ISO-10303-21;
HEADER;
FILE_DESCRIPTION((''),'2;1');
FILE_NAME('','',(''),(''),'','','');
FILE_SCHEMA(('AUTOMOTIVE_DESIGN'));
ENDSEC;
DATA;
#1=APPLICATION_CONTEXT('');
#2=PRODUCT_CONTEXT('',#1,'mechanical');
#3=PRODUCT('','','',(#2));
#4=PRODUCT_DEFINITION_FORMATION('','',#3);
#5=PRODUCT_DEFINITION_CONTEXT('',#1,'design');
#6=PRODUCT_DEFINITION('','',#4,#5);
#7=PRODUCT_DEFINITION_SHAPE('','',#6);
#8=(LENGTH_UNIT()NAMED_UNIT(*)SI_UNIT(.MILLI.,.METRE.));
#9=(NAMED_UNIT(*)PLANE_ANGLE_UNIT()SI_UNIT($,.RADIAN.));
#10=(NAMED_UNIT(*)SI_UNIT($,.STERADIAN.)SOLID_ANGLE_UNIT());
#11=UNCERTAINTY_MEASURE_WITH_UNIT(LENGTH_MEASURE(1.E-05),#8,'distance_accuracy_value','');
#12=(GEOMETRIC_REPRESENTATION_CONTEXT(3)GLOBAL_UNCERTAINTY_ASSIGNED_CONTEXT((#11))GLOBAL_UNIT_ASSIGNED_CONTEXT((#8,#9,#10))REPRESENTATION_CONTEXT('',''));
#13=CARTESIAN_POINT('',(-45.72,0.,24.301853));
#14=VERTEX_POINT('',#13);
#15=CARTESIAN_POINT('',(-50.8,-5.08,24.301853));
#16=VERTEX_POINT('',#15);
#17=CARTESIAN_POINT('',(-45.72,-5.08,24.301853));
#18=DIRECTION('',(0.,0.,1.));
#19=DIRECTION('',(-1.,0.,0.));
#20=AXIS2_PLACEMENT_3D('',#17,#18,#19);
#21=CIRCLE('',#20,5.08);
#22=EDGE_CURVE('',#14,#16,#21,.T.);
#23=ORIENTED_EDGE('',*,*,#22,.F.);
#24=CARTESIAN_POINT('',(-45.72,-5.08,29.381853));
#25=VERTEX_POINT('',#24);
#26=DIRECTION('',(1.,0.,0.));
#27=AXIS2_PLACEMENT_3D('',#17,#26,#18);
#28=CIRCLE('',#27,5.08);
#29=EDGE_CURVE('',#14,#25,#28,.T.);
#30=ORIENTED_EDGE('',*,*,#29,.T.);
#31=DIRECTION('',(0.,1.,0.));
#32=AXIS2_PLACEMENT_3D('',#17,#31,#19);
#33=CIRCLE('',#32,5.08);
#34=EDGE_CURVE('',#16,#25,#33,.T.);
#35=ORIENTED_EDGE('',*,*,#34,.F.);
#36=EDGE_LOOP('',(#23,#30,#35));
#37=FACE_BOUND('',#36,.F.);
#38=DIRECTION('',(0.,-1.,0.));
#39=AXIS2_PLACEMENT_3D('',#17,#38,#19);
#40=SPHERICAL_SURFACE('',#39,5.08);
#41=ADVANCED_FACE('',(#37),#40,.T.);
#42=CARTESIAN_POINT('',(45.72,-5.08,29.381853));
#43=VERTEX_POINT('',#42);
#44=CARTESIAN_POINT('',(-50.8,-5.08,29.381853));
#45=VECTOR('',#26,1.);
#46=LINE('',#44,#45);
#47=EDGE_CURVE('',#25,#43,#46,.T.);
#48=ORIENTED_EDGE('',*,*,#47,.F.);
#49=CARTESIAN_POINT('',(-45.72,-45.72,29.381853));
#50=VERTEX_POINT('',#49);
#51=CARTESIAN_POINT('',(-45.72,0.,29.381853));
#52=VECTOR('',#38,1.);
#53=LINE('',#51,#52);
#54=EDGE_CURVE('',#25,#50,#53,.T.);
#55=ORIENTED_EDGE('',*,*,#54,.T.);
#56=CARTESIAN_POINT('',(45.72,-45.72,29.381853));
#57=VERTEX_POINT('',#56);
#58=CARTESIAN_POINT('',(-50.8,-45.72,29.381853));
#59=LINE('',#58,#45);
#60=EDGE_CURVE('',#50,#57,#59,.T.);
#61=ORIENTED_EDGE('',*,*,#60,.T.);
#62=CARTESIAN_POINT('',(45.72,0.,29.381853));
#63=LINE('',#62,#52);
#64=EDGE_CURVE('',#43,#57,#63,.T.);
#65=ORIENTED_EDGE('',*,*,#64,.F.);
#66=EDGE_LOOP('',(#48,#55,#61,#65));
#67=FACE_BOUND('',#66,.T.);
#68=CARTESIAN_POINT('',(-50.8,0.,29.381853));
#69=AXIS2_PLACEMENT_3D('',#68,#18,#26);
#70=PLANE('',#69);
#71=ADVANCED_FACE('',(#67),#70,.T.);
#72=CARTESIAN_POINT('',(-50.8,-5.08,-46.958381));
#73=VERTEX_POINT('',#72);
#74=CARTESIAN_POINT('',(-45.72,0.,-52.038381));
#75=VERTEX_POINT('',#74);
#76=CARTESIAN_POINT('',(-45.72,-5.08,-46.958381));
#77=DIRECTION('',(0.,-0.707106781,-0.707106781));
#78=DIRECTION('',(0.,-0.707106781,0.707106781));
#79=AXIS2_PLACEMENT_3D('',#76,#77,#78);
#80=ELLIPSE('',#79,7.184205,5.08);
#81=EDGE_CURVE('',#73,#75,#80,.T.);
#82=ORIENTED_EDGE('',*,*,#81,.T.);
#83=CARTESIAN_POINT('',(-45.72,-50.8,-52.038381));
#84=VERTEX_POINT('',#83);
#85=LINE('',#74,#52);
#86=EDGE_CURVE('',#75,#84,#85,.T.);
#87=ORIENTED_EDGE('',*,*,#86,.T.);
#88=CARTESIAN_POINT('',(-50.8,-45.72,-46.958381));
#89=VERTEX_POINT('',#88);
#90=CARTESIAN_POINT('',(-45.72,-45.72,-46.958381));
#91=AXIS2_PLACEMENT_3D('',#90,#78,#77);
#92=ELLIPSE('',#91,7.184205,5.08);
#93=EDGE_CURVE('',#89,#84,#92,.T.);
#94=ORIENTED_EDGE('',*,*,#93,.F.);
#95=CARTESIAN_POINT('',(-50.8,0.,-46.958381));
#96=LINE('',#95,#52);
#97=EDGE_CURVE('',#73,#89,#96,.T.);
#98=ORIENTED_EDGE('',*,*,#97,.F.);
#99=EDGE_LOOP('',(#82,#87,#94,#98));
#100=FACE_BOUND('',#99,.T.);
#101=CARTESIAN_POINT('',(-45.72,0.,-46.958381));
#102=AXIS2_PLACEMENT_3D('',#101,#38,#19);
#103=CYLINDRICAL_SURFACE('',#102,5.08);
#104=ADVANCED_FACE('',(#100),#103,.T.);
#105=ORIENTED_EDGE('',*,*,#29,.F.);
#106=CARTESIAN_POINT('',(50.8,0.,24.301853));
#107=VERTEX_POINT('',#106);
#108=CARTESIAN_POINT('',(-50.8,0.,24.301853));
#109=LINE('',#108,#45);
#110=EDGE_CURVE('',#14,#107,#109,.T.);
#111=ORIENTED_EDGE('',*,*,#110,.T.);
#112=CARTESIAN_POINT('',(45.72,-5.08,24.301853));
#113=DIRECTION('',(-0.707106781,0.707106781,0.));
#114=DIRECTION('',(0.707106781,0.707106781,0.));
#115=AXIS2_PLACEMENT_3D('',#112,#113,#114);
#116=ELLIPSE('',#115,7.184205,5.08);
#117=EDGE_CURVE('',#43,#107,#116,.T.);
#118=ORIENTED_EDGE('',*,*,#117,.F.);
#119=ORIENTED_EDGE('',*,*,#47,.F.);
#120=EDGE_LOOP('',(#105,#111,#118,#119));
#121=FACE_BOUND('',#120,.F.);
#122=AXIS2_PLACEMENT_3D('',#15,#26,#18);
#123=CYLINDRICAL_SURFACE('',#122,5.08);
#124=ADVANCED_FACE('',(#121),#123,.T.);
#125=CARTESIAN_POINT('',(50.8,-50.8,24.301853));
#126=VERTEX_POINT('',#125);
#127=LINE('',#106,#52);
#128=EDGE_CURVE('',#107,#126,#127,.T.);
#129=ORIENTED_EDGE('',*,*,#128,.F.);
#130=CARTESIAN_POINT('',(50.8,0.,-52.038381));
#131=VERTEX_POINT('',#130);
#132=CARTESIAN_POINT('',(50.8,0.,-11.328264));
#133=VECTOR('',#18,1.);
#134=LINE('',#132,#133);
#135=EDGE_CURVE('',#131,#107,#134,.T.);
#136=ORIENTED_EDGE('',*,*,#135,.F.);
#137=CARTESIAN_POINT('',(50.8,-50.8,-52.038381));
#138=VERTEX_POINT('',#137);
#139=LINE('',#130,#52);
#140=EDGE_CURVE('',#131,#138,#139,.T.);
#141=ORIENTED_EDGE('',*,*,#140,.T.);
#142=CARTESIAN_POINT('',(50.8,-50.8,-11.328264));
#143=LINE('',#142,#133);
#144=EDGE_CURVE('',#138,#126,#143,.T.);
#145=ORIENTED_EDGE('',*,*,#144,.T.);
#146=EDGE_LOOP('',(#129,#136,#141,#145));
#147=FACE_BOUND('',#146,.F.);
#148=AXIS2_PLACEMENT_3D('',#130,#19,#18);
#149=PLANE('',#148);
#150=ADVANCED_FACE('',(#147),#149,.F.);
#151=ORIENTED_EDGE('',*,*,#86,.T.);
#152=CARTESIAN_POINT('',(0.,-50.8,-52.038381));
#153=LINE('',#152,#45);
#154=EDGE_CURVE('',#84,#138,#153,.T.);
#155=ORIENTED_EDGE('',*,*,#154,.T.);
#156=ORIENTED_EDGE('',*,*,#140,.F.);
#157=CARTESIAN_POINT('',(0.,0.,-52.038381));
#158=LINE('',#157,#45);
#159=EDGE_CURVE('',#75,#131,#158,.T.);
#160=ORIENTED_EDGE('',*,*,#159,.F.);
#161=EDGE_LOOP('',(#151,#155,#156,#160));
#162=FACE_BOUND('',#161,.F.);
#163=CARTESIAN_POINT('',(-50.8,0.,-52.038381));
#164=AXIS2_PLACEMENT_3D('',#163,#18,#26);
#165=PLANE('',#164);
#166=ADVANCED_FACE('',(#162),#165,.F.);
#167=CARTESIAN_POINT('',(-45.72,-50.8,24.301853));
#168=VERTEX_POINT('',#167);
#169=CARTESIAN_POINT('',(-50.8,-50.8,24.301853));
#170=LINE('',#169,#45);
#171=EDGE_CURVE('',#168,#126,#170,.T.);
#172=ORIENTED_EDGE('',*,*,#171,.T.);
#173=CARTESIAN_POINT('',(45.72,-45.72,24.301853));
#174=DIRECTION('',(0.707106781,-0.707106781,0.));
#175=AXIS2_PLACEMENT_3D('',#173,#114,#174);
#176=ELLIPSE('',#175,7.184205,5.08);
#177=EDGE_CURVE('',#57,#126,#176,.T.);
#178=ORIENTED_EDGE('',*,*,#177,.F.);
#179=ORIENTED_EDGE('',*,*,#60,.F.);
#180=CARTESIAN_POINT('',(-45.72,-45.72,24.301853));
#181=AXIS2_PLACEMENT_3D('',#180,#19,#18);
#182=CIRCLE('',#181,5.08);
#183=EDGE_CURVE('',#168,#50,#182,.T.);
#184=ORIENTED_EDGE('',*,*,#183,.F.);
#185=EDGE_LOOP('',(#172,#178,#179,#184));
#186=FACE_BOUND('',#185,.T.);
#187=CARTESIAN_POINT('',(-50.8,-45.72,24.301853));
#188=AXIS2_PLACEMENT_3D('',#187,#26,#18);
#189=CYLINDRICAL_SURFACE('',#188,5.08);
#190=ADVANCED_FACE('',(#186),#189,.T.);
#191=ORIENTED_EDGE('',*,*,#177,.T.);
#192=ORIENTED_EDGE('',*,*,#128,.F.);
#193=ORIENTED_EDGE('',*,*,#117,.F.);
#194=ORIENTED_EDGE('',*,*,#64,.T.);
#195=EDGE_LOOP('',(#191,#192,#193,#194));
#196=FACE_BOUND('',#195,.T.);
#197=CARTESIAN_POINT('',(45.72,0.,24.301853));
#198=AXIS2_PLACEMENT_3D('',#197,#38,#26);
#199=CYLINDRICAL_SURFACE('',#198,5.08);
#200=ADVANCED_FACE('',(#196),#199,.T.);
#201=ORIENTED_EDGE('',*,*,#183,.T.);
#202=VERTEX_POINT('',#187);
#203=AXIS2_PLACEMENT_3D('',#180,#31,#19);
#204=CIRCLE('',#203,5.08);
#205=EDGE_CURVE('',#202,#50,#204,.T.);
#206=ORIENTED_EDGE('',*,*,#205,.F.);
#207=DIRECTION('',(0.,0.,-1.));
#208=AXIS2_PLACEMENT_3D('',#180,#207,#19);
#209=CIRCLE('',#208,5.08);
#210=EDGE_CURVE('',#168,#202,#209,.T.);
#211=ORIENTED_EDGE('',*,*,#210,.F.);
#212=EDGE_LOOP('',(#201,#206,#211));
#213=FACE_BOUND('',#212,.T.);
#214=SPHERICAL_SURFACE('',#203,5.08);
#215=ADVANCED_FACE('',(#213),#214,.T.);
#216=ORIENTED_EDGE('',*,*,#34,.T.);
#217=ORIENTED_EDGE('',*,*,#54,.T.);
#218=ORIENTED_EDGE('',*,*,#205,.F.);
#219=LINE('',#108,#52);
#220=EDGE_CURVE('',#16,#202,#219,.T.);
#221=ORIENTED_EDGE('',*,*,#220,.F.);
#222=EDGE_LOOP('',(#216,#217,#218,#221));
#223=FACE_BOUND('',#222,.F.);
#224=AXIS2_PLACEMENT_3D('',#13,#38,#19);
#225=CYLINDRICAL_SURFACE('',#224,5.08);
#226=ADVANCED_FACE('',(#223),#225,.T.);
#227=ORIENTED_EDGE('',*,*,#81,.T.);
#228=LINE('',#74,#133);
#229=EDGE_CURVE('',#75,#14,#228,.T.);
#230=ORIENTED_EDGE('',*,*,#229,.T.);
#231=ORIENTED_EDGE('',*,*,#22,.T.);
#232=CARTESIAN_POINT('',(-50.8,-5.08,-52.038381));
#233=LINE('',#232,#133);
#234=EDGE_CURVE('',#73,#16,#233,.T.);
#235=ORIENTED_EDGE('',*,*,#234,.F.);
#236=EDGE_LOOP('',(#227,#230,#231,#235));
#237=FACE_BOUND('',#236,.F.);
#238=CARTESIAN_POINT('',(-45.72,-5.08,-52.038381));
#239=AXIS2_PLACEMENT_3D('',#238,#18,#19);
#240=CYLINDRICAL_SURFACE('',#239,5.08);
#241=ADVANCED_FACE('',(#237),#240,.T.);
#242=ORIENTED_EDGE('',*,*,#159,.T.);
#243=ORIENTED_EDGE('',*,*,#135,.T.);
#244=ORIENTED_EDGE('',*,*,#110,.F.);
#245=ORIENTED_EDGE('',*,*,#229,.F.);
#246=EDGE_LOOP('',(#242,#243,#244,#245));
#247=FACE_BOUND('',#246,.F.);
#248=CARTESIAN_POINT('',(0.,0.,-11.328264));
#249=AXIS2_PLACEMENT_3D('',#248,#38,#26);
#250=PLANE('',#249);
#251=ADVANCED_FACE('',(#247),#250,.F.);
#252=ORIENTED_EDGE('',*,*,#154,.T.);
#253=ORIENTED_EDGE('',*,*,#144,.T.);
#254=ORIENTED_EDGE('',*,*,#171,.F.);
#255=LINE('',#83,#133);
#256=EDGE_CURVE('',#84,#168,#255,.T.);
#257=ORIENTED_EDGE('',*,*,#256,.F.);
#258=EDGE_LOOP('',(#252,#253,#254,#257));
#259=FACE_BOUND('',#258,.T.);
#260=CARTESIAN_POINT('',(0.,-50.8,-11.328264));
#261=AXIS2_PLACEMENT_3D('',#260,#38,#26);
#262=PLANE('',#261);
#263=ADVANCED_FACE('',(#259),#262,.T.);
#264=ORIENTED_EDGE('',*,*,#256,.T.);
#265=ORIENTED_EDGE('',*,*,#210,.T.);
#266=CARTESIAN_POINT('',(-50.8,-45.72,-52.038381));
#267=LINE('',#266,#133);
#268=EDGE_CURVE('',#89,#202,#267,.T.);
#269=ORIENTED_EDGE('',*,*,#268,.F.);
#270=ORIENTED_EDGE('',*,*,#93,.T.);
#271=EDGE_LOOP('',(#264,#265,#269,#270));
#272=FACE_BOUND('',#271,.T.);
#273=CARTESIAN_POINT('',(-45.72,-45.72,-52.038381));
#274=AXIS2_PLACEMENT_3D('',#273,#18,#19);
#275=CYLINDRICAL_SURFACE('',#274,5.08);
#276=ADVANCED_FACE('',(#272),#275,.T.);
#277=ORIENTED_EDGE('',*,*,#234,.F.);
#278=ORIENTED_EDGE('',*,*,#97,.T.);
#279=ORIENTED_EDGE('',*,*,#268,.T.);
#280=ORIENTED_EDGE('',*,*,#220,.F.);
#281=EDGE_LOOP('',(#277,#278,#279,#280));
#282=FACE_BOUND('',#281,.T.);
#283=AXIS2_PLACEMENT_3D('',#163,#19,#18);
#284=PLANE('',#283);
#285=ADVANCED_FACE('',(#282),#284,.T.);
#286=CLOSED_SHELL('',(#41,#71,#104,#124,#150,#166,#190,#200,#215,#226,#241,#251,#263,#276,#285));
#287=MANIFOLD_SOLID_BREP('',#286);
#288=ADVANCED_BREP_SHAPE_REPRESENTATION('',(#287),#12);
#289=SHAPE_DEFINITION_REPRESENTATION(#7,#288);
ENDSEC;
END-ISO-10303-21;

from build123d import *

# Parameters (mm, degrees)
F0_W     = 101.6
F0_H     = 81.420234
F1_DEPTH = 50.8
F2_R     = 5.08


with BuildPart() as f1:
    # F0 (on Front) → F1 (new body)
    with BuildSketch(Plane.XZ):
        with Locations((0, -11.328264)):
            Rectangle(F0_W, F0_H)
    extrude(amount=F1_DEPTH)

    # F2
    f2_edges = [f1.edges().sort_by_distance(p)[0] for p in [
        (-50.8, -25.4, 29.381853),
        (-50.8, -25.4, -52.038381),
        (-50.8, 0, -11.328264),
        (-50.8, -50.8, -11.328264),
        (0, 0, 29.381853),
        (0, -50.8, 29.381853),
        (50.8, -25.4, 29.381853),
    ]]
    fillet(f2_edges, radius=F2_R)


solid = f1.part
